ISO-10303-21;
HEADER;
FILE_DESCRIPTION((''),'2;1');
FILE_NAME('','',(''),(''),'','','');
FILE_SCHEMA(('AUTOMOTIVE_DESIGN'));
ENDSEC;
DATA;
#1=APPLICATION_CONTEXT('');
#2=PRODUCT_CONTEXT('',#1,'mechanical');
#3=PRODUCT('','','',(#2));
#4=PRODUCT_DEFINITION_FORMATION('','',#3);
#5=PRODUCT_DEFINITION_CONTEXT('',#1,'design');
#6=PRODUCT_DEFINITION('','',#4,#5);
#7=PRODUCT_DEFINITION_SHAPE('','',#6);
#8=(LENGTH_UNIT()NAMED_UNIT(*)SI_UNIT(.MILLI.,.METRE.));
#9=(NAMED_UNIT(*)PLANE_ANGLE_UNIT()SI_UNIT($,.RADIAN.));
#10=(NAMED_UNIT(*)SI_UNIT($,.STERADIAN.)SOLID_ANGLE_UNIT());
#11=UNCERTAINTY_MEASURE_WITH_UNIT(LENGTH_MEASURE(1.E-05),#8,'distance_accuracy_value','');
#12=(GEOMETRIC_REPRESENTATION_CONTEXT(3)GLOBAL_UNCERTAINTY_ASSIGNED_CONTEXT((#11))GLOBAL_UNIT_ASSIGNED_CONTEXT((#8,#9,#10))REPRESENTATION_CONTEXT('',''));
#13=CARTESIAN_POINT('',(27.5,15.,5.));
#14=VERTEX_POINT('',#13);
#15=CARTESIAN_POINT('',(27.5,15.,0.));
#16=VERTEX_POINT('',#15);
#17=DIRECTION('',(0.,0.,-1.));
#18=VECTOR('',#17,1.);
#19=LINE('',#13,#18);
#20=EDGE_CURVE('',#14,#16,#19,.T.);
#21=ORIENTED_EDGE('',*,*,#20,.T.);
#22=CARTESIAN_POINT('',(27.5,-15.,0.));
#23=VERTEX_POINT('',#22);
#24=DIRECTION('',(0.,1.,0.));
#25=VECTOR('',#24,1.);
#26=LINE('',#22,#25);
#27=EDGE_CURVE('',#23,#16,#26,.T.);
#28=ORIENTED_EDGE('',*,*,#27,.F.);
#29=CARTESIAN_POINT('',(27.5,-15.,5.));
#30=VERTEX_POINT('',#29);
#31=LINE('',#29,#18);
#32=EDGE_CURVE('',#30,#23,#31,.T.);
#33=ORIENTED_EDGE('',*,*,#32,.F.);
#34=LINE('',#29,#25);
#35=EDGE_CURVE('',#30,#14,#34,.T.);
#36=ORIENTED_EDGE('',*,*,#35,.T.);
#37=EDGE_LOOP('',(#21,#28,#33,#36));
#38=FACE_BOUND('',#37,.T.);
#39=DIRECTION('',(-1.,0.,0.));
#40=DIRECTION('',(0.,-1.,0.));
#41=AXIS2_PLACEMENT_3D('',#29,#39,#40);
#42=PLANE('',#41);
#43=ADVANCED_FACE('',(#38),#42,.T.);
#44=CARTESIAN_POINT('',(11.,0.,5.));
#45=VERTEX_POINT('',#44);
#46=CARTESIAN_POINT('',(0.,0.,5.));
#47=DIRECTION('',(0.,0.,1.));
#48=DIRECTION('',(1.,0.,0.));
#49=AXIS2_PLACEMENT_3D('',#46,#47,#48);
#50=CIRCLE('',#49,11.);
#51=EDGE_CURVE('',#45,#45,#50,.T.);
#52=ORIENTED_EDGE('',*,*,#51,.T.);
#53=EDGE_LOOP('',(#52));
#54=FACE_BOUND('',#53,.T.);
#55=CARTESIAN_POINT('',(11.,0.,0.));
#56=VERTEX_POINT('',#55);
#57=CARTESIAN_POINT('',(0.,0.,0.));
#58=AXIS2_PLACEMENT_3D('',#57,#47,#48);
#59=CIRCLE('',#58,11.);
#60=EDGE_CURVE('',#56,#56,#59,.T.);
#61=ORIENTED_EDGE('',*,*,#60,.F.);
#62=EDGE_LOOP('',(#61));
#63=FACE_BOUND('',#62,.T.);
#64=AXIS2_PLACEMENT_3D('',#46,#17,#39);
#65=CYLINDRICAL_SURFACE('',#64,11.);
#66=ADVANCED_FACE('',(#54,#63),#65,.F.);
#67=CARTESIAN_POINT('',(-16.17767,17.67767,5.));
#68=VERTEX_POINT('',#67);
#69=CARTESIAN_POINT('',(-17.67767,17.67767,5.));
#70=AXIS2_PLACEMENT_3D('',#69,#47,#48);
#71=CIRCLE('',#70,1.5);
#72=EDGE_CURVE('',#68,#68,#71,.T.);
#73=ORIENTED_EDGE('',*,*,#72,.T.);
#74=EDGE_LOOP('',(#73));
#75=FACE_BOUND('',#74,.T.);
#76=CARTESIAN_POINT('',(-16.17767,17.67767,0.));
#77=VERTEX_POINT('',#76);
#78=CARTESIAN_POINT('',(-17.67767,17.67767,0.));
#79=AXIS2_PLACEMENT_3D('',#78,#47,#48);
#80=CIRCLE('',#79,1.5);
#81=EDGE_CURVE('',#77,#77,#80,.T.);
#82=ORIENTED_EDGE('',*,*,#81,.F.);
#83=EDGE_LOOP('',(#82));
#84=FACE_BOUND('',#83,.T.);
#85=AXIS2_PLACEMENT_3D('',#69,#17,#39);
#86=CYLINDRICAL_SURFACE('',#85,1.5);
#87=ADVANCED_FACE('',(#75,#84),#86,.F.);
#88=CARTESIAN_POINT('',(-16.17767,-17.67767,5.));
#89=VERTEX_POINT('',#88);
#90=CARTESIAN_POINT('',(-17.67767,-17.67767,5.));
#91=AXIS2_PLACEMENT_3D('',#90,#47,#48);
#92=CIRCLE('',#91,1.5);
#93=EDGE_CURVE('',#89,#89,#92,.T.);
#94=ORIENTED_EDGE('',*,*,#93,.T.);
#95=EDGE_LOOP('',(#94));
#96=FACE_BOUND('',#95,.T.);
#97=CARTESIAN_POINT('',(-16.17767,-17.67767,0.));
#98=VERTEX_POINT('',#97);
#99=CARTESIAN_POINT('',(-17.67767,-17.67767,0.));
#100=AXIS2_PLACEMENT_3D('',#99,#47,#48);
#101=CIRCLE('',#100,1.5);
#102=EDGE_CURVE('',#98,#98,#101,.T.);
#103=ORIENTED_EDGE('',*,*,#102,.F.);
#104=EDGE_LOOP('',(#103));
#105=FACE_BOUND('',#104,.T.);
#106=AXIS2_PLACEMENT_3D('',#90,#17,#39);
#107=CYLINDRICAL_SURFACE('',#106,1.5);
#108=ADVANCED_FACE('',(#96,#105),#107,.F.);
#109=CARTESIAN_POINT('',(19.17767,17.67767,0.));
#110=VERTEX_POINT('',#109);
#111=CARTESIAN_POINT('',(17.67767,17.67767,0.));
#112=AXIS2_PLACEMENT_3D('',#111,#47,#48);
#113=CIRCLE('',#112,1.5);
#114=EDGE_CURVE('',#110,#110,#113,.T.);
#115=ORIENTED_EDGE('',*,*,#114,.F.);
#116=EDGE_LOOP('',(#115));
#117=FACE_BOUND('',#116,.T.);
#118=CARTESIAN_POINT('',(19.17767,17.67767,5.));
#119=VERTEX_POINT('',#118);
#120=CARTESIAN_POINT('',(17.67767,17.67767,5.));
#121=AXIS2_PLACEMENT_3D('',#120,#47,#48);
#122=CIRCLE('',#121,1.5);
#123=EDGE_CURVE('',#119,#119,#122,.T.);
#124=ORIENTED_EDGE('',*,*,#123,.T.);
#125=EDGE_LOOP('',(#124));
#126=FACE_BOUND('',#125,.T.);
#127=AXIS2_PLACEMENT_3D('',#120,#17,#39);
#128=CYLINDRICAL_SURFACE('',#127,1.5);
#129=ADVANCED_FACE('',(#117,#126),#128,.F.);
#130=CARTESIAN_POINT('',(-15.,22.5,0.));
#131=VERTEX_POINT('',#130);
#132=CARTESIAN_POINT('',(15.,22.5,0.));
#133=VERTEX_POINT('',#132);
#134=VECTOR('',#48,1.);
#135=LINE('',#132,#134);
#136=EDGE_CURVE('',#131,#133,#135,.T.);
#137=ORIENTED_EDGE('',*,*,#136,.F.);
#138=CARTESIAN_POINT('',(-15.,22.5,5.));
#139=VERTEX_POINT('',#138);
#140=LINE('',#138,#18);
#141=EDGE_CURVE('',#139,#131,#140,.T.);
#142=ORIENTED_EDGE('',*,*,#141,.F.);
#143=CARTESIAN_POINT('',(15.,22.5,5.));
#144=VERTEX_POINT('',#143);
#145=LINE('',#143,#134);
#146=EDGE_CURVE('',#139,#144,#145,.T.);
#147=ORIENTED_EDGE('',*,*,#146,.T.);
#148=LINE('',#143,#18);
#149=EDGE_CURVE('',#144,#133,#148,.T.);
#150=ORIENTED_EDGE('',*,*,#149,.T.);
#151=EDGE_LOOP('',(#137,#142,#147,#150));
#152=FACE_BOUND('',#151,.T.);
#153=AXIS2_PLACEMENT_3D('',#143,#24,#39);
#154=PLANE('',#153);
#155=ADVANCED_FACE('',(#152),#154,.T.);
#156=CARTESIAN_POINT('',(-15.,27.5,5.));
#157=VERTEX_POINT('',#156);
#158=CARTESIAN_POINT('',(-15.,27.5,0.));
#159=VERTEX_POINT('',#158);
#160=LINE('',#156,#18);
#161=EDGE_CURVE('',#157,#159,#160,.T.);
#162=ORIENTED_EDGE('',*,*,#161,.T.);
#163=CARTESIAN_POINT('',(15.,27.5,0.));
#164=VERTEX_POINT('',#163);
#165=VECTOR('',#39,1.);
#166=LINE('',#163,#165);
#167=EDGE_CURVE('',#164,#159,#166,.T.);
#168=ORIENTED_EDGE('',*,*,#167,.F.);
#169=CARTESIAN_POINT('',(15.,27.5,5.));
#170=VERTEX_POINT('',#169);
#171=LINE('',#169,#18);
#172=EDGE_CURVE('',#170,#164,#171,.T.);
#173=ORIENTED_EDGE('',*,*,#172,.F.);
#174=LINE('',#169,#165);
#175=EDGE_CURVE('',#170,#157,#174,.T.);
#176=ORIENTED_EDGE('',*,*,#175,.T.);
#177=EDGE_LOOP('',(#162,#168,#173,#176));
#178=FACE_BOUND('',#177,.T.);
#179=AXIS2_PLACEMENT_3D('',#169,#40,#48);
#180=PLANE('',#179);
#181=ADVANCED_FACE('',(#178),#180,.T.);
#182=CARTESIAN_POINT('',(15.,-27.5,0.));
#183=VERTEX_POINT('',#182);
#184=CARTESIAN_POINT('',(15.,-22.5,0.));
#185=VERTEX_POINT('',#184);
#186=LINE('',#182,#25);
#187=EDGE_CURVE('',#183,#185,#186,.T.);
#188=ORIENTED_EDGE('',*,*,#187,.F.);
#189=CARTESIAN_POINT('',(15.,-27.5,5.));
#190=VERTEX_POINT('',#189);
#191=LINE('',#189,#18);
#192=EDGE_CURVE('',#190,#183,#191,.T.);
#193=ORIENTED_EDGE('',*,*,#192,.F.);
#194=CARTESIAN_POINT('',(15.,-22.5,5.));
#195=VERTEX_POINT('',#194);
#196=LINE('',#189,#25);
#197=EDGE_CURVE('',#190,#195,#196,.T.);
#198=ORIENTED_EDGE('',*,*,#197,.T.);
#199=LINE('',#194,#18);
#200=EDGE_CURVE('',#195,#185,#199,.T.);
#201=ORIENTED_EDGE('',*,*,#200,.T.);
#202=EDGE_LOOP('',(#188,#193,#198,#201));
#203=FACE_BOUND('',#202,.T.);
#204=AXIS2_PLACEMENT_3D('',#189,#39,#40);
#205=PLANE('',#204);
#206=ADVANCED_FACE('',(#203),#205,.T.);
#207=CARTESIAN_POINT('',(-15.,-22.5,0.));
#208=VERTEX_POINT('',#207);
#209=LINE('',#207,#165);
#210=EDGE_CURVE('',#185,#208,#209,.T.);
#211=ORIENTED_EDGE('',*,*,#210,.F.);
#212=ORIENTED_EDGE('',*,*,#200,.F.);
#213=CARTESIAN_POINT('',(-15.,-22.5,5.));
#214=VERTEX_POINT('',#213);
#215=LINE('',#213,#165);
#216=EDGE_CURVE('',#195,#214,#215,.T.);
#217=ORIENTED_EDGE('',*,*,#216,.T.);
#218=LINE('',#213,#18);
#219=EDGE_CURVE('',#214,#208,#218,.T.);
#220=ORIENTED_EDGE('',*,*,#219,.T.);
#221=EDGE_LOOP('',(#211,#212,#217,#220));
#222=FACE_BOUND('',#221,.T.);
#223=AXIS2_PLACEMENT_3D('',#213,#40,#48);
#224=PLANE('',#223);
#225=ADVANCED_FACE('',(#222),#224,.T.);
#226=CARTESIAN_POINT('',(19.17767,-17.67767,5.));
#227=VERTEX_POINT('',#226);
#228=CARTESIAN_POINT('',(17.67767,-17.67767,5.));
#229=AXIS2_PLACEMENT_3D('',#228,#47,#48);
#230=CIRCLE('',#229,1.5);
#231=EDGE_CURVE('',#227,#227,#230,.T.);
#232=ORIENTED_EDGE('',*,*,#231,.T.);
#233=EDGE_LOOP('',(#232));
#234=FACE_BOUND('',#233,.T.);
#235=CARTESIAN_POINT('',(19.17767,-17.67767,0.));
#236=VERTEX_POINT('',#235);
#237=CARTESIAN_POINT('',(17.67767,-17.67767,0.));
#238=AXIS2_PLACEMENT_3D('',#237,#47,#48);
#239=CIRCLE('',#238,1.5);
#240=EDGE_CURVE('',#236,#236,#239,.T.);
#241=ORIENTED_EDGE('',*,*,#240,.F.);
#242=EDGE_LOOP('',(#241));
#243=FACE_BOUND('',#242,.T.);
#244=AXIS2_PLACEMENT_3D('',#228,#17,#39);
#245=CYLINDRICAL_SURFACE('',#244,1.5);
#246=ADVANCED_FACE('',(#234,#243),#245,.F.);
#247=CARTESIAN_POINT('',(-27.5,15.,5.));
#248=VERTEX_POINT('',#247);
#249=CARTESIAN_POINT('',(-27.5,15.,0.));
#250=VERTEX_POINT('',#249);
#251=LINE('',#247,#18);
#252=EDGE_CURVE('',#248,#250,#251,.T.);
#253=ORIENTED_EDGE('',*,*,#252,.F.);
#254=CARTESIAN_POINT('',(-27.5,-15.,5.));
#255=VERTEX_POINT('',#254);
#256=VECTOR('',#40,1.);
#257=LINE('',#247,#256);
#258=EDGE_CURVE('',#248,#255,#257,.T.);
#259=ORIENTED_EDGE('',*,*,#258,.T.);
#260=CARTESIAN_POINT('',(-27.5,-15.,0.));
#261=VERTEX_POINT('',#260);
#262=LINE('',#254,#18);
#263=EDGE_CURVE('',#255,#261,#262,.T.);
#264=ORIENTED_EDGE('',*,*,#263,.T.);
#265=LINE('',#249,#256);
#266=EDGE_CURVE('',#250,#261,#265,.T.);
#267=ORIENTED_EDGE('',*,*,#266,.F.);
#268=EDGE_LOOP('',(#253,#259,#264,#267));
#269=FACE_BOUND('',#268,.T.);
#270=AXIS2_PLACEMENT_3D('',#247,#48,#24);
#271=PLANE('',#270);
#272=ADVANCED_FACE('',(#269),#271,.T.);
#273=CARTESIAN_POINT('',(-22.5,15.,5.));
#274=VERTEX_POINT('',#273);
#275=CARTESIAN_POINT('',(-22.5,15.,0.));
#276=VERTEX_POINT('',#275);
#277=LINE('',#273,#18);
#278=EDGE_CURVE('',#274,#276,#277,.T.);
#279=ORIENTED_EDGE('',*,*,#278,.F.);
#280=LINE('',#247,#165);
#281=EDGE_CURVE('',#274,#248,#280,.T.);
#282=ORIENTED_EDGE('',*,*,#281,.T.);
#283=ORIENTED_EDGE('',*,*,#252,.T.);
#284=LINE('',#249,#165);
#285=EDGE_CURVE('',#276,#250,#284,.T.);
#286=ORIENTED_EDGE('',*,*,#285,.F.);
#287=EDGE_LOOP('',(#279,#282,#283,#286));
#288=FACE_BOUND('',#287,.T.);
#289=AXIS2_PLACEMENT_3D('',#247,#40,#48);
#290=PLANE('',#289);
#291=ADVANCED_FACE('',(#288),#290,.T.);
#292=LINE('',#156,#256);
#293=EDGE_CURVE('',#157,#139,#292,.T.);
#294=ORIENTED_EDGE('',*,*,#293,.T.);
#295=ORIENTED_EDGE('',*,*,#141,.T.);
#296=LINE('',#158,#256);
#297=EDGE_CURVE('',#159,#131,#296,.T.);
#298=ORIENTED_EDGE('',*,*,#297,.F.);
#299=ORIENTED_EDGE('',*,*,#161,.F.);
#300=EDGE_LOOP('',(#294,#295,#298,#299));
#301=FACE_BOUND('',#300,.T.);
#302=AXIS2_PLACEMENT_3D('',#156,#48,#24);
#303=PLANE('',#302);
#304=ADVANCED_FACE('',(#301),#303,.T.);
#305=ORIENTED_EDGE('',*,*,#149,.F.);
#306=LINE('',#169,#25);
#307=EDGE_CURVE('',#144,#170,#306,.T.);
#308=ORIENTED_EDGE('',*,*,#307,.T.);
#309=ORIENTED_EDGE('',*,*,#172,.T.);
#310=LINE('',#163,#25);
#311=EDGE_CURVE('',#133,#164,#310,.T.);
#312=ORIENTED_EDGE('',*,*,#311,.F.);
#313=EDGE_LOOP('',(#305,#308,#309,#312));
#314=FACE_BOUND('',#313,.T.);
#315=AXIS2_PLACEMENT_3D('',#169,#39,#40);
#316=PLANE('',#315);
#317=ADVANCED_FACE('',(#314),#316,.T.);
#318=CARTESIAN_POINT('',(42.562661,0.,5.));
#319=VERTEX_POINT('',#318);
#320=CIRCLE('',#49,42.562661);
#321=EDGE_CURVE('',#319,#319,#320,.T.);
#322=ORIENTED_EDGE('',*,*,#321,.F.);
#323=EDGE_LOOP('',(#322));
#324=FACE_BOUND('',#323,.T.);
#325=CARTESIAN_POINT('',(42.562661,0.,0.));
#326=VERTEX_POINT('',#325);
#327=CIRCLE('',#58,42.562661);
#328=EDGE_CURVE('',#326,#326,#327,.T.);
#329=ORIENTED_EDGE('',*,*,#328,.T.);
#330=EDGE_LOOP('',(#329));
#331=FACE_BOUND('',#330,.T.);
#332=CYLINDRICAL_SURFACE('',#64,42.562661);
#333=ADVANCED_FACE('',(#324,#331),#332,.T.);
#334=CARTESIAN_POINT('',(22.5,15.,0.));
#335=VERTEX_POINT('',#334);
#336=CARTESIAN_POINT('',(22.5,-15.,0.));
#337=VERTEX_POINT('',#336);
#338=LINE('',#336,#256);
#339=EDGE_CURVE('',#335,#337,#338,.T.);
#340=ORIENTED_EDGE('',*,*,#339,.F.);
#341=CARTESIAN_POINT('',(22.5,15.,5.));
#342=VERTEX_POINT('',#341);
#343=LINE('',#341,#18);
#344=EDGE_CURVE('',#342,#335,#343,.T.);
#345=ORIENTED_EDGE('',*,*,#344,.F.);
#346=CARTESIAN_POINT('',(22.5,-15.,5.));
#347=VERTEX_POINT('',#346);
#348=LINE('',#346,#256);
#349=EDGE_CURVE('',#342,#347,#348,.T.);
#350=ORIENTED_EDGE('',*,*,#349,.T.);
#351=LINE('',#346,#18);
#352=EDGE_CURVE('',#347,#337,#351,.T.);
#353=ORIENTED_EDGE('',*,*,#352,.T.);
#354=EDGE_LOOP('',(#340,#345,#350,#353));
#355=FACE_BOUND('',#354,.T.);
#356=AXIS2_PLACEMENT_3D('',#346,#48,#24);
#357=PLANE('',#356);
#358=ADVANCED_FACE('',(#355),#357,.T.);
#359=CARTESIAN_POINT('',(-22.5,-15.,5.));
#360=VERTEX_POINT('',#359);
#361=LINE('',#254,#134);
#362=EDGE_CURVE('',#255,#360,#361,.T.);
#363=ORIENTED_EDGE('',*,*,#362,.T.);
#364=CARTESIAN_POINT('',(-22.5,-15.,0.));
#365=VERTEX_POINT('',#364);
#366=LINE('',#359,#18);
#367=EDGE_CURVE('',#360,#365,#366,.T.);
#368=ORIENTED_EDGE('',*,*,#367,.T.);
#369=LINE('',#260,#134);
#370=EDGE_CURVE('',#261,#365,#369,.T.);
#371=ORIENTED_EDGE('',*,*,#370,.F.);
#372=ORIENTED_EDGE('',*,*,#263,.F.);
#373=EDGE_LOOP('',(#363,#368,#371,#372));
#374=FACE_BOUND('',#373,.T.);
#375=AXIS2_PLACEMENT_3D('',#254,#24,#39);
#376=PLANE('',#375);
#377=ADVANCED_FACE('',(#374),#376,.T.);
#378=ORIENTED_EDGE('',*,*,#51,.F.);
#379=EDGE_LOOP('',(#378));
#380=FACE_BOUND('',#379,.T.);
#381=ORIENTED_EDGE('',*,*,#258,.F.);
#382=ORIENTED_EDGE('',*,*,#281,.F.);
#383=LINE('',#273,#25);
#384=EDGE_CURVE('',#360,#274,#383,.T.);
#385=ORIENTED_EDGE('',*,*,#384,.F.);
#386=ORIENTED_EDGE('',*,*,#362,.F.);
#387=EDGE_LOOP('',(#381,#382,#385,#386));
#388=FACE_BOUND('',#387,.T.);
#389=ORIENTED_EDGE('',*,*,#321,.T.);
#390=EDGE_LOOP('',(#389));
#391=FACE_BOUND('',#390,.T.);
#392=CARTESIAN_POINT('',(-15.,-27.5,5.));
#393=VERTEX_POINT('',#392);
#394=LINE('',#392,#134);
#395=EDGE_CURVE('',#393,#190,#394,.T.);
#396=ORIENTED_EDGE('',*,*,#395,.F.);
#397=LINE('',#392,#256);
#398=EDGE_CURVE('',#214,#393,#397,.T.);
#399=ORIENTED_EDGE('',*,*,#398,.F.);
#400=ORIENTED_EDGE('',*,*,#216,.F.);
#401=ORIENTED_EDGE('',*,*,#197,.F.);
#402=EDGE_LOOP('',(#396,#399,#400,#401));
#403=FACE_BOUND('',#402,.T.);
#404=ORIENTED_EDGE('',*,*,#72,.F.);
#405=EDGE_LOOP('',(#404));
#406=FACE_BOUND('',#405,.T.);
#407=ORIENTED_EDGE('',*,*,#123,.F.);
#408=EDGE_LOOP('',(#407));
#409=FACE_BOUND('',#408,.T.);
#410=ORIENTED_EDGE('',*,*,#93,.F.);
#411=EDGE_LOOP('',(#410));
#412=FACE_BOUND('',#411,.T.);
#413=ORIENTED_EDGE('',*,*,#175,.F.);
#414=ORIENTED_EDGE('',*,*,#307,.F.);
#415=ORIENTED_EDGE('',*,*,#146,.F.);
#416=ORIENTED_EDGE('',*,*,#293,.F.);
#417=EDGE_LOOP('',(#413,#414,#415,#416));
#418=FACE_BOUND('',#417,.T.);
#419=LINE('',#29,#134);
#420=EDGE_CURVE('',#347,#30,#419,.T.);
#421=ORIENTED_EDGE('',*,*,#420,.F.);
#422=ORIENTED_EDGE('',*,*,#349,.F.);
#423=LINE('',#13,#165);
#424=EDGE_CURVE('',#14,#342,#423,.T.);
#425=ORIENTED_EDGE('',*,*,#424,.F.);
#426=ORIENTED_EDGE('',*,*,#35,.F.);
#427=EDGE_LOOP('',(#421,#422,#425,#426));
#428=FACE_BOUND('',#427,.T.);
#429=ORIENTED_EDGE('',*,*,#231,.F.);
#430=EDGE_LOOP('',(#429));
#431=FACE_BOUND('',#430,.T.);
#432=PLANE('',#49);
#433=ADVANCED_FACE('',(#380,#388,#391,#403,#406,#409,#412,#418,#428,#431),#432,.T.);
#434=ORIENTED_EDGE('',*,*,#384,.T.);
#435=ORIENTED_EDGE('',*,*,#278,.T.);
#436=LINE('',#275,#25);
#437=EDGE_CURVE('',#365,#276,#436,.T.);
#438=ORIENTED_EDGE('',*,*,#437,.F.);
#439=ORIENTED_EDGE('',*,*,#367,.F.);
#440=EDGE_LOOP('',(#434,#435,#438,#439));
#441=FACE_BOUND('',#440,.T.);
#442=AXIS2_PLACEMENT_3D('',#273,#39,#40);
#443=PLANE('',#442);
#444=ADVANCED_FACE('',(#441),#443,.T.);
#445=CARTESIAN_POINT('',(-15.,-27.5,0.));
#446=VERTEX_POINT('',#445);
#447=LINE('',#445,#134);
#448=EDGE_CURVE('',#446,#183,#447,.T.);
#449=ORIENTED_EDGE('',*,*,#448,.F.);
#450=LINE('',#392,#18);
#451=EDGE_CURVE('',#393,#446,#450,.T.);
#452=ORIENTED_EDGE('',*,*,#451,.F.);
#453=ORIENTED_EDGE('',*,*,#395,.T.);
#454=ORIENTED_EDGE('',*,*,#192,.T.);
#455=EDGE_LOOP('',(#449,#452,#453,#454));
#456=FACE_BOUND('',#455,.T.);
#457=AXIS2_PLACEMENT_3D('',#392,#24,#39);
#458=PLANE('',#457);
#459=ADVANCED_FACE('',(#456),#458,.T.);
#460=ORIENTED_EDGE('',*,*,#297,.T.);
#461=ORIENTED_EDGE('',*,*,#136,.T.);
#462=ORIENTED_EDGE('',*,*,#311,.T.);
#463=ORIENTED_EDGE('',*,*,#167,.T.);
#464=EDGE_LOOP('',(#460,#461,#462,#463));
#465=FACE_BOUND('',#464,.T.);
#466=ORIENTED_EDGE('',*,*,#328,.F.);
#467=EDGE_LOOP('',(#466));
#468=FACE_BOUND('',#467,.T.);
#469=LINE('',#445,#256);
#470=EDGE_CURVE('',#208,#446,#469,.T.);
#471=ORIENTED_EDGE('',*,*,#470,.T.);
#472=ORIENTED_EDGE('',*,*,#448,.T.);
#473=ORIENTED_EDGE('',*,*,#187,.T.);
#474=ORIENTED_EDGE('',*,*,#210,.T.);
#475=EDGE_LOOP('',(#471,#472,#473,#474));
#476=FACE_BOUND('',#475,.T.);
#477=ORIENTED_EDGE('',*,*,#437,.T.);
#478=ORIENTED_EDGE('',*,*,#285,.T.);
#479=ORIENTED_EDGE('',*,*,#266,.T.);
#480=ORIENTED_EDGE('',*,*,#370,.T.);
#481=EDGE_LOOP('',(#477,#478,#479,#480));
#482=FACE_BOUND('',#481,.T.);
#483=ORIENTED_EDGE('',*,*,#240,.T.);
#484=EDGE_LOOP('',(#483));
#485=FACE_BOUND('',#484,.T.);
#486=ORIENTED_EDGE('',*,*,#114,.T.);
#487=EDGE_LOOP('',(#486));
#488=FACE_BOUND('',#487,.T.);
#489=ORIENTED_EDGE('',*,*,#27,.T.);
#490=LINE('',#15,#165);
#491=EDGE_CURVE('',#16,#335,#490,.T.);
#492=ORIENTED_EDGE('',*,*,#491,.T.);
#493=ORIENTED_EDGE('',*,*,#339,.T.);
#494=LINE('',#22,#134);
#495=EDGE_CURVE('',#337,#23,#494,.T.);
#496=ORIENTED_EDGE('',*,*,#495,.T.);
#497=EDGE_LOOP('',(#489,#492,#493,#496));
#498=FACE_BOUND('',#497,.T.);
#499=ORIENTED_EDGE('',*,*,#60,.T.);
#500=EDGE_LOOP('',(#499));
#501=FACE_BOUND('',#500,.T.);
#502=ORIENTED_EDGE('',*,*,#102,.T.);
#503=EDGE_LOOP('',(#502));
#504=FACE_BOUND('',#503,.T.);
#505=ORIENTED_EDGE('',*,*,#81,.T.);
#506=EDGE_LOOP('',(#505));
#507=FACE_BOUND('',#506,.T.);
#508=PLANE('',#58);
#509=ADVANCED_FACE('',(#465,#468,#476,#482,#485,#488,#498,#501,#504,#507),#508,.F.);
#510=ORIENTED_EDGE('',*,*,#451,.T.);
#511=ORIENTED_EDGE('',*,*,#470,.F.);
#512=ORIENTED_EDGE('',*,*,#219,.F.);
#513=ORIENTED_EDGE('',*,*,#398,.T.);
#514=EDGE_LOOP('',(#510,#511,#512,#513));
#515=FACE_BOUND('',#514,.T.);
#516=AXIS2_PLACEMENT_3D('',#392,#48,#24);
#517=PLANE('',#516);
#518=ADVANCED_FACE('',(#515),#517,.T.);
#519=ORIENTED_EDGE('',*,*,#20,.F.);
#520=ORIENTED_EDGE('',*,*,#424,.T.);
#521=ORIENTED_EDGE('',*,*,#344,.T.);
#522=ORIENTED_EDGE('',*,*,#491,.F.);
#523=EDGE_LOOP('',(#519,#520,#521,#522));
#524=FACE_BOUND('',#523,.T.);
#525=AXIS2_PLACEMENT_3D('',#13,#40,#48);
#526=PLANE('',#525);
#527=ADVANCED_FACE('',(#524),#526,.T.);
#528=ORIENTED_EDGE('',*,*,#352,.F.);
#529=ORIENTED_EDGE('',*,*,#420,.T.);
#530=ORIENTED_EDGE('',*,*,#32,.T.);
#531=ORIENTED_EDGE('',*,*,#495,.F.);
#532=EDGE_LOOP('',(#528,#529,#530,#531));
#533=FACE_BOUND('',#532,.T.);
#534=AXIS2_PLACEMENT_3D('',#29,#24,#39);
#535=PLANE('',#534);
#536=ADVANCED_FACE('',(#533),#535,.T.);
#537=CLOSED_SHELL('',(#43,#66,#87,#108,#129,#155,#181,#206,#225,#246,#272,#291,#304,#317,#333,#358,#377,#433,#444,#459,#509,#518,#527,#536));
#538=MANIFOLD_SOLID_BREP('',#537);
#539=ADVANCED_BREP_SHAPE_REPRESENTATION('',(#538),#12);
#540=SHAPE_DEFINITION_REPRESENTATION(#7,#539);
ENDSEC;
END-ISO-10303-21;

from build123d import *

# Parameters (mm, degrees)
SCHIZZO1_R                   = 42.562660939
ESTRUSIONE_ESTRUSIONE1_DEPTH = 5
SCHIZZO3_R                   = 11
TAGLIO_ESTRUSIONE2_DEPTH     = 6
SCHIZZO4_R                   = 1.5
SCHIZZO4_W                   = 5
SCHIZZO4_H                   = 30
SCHIZZO4_W_2                 = 30
SCHIZZO4_H_2                 = 5
TAGLIO_ESTRUSIONE3_DEPTH     = 6


with BuildPart() as part:
    # Schizzo1 → Estrusione-Estrusione1 (new body)
    with BuildSketch(Plane.XY):
        Circle(SCHIZZO1_R)
    extrude(amount=ESTRUSIONE_ESTRUSIONE1_DEPTH)

    # Schizzo3 → Taglio-Estrusione2 (cut, through all)
    with BuildSketch(Plane.XY):
        Circle(SCHIZZO3_R)
    extrude(amount=TAGLIO_ESTRUSIONE2_DEPTH, mode=Mode.SUBTRACT)

    # Schizzo4 → Taglio-Estrusione3 (cut, through all)
    with BuildSketch(Plane.XY):
        with Locations((17.67766953, 17.67766953)):
            Circle(SCHIZZO4_R)
        with Locations((17.67766953, -17.67766953)):
            Circle(SCHIZZO4_R)
        with Locations((-17.67766953, -17.67766953)):
            Circle(SCHIZZO4_R)
        with Locations((-17.67766953, 17.67766953)):
            Circle(SCHIZZO4_R)
        with Locations((-25, 0)):
            Rectangle(SCHIZZO4_W, SCHIZZO4_H)
        with Locations((0, 25)):
            Rectangle(SCHIZZO4_W_2, SCHIZZO4_H_2)
        with Locations((25, 0)):
            Rectangle(SCHIZZO4_W, SCHIZZO4_H)
        with Locations((0, -25)):
            Rectangle(SCHIZZO4_W_2, SCHIZZO4_H_2)
    extrude(amount=TAGLIO_ESTRUSIONE3_DEPTH, mode=Mode.SUBTRACT)


solid = part.part
